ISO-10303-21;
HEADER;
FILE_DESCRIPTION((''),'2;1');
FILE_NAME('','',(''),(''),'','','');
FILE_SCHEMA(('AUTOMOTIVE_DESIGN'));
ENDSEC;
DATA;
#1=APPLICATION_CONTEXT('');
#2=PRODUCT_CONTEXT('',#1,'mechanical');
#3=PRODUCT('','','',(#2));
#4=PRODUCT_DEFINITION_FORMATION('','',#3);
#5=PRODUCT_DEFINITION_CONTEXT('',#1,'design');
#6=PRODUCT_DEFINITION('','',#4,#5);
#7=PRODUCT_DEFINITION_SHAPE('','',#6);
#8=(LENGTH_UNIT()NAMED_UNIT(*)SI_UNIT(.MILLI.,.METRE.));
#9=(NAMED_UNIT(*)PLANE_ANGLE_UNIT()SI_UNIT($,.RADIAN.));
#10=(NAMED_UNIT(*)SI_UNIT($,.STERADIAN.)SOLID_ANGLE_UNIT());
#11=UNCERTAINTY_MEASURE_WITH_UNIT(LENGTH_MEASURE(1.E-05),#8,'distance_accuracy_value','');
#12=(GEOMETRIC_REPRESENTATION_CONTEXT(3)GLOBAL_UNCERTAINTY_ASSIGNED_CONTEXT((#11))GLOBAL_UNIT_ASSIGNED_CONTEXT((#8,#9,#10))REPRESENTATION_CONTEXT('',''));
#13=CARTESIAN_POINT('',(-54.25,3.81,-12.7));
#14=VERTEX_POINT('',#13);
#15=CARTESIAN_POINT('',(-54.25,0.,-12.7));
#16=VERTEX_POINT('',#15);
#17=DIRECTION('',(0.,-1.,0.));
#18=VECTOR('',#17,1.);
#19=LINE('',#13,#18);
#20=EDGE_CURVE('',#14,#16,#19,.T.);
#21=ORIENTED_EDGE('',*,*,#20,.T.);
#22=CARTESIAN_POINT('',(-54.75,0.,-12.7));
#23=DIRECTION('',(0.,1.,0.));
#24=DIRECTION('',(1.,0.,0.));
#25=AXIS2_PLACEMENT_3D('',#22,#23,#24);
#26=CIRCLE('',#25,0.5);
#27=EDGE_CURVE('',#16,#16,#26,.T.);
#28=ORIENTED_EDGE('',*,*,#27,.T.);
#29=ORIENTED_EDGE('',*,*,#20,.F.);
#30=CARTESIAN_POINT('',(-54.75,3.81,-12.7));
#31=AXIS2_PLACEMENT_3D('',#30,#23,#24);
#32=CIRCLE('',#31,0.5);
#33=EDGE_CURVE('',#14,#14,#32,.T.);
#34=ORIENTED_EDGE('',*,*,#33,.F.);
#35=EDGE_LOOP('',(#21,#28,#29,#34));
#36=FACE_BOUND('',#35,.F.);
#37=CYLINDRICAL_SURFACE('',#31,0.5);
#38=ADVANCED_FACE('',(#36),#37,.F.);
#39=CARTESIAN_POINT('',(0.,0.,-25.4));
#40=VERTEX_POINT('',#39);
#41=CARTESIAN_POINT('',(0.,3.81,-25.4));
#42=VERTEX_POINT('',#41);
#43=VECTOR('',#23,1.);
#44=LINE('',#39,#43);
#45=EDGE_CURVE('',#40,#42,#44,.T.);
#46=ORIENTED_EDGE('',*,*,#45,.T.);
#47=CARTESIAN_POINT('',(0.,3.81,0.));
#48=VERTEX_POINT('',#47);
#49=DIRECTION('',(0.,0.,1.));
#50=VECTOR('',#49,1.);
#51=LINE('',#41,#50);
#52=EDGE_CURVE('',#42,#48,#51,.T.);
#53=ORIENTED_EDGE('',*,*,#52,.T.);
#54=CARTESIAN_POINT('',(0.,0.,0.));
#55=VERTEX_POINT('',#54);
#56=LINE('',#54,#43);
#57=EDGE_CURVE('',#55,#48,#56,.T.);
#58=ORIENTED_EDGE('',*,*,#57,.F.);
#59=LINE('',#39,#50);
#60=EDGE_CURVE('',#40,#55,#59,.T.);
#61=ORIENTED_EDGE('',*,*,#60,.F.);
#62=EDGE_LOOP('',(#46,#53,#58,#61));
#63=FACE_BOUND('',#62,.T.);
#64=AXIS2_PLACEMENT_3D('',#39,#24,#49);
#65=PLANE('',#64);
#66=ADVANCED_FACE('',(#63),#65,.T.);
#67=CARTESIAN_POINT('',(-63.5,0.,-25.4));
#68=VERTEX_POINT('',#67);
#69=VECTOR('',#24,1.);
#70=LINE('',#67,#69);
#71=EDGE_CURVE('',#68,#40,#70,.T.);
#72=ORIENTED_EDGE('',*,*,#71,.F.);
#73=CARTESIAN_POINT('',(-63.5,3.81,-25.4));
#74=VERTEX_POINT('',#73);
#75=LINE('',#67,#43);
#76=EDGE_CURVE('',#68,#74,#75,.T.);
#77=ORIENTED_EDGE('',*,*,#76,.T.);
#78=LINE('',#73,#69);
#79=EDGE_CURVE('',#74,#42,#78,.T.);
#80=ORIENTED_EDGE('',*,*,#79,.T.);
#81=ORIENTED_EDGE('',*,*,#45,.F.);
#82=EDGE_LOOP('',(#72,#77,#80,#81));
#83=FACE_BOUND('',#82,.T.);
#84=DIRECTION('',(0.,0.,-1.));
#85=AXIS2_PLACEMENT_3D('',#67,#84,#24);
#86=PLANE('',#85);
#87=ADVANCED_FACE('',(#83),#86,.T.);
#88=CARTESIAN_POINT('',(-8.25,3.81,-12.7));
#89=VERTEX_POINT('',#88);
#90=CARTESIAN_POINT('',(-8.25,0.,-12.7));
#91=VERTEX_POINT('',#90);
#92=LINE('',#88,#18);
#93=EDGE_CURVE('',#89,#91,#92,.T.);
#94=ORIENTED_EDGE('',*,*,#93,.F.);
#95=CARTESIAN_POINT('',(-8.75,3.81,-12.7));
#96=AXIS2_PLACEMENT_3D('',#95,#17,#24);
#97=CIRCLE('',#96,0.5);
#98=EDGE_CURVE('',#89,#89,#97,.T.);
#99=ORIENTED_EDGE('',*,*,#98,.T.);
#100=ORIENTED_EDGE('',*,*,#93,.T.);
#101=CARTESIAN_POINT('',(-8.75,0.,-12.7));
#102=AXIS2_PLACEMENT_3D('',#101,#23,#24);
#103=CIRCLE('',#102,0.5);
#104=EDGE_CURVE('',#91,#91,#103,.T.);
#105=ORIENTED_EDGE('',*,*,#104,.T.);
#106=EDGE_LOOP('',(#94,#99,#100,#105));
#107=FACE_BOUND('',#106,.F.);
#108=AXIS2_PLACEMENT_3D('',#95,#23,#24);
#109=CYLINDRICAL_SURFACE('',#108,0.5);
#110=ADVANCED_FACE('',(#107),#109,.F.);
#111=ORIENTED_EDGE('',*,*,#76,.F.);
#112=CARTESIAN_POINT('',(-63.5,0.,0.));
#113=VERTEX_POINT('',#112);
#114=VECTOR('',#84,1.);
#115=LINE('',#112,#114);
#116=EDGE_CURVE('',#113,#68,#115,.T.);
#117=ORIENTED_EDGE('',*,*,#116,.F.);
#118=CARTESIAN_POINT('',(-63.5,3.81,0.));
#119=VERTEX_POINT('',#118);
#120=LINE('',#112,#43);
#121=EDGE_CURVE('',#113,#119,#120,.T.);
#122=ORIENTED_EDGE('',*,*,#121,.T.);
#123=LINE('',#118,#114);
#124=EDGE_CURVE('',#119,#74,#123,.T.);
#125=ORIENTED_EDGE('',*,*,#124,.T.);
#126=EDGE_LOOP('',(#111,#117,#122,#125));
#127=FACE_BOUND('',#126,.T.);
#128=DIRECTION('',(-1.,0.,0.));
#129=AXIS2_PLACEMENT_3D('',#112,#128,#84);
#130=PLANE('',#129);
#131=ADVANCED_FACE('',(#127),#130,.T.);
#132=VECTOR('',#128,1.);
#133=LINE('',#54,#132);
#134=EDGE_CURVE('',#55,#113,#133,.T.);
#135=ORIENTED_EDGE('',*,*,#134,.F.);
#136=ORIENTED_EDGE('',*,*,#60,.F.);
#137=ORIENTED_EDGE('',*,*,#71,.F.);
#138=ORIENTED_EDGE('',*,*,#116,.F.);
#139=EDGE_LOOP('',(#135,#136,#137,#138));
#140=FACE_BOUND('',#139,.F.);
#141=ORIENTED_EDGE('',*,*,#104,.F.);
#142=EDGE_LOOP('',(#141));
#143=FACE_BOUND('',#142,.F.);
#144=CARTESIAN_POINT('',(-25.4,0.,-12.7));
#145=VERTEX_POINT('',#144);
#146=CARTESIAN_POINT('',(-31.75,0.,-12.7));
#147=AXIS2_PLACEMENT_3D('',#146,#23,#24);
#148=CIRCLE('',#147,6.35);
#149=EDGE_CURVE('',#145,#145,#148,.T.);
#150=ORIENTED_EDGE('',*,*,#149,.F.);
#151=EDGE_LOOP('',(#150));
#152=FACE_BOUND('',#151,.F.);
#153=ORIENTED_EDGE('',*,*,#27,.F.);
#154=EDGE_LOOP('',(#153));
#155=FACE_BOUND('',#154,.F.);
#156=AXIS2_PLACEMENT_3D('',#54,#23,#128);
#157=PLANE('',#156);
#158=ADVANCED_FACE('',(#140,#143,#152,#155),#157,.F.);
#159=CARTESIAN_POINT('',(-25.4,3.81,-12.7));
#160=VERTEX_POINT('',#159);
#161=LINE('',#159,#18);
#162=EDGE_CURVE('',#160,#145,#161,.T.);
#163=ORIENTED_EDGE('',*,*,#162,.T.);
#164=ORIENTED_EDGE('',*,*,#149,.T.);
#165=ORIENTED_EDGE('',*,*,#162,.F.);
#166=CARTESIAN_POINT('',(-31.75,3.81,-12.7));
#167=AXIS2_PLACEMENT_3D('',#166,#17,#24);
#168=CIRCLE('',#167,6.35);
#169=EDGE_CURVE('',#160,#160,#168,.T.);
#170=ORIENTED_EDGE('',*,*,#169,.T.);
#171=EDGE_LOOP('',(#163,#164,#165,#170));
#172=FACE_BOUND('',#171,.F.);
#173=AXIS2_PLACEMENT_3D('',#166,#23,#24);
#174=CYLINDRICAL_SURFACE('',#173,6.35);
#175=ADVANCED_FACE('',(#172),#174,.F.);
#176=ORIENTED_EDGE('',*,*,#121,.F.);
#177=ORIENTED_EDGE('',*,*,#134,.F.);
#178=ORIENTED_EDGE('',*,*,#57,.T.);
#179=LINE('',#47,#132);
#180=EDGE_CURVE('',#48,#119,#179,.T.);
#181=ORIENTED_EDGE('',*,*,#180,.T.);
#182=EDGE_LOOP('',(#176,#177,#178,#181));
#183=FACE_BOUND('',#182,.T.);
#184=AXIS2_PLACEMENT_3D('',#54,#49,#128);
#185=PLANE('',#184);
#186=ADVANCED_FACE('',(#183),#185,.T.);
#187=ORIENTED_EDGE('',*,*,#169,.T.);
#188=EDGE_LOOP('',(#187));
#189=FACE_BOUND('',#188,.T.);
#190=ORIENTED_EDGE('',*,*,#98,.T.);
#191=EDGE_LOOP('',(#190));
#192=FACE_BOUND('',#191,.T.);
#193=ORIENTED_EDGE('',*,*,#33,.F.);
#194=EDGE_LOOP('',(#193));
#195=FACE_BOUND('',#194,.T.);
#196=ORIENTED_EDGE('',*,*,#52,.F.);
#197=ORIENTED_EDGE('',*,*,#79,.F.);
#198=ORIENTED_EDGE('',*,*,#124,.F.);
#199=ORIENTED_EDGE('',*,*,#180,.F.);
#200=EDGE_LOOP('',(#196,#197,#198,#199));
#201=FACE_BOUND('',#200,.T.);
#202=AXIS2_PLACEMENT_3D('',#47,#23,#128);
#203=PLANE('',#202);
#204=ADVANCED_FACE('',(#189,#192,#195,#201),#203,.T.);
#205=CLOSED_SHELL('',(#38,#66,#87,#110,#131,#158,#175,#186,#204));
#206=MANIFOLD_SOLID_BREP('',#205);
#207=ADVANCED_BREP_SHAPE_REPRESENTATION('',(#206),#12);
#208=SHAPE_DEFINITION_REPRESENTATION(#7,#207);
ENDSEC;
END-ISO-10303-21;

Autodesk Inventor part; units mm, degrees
ref_plane "YZ Plane" through (0, 0, 0) normal (1, 0, 0) x (0, 1, 0)
ref_plane "XZ Plane" through (0, 0, 0) normal (0, 1, 0) x (-1, 0, 0)
ref_plane "XY Plane" through (0, 0, 0) normal (0, 0, 1) x (1, 0, 0)
sketch "Sketch1" plane through (0, 0, 0) normal (0, 1, 0) x (-1, 0, 0)
  line L0 (0, 0) -> (63.5, 0)
  line L1 (63.5, 0) -> (63.5, -25.4)
  line L2 (63.5, -25.4) -> (0, -25.4)
  line L3 (0, -25.4) -> (0, 0)
  dimension "d0" = 63.5
  dimension "d1" = 25.4
extrude "Extrusion1" add sketch "Sketch1" along normal blind 3.81
sketch "Sketch2" plane through (0, 3.81, 0) normal (0, 1, 0) x (1, 0, 0)
  line L0 (-63.5, 0) -> (0, 0) projected
  line L1 (0, 0) -> (0, 25.4) projected
  line L2 (0, 25.4) -> (-63.5, 25.4) projected
  line L3 (-63.5, 25.4) -> (-63.5, 0) projected
  line L4 (-31.75, 12.7) -> (-54.75, 12.7)
  line L5 (-31.75, 12.7) -> (-8.75, 12.7)
  circle A0 centre (-54.75, 12.7) radius 0.5
  circle A1 centre (-8.75, 12.7) radius 0.5
  circle A2 centre (-31.75, 12.7) radius 6.35
  dimension "d4" = 23
  dimension "d5" = 23
  dimension "d6" = 1
  dimension "d7" = 1
  dimension "d8" = 12.7
extrude "Extrusion2" cut sketch "Sketch2" against normal blind 3.81 contours L5 A2 L4 | L4 A2 L5 | A0 | A1
properties part number "Pimount"
